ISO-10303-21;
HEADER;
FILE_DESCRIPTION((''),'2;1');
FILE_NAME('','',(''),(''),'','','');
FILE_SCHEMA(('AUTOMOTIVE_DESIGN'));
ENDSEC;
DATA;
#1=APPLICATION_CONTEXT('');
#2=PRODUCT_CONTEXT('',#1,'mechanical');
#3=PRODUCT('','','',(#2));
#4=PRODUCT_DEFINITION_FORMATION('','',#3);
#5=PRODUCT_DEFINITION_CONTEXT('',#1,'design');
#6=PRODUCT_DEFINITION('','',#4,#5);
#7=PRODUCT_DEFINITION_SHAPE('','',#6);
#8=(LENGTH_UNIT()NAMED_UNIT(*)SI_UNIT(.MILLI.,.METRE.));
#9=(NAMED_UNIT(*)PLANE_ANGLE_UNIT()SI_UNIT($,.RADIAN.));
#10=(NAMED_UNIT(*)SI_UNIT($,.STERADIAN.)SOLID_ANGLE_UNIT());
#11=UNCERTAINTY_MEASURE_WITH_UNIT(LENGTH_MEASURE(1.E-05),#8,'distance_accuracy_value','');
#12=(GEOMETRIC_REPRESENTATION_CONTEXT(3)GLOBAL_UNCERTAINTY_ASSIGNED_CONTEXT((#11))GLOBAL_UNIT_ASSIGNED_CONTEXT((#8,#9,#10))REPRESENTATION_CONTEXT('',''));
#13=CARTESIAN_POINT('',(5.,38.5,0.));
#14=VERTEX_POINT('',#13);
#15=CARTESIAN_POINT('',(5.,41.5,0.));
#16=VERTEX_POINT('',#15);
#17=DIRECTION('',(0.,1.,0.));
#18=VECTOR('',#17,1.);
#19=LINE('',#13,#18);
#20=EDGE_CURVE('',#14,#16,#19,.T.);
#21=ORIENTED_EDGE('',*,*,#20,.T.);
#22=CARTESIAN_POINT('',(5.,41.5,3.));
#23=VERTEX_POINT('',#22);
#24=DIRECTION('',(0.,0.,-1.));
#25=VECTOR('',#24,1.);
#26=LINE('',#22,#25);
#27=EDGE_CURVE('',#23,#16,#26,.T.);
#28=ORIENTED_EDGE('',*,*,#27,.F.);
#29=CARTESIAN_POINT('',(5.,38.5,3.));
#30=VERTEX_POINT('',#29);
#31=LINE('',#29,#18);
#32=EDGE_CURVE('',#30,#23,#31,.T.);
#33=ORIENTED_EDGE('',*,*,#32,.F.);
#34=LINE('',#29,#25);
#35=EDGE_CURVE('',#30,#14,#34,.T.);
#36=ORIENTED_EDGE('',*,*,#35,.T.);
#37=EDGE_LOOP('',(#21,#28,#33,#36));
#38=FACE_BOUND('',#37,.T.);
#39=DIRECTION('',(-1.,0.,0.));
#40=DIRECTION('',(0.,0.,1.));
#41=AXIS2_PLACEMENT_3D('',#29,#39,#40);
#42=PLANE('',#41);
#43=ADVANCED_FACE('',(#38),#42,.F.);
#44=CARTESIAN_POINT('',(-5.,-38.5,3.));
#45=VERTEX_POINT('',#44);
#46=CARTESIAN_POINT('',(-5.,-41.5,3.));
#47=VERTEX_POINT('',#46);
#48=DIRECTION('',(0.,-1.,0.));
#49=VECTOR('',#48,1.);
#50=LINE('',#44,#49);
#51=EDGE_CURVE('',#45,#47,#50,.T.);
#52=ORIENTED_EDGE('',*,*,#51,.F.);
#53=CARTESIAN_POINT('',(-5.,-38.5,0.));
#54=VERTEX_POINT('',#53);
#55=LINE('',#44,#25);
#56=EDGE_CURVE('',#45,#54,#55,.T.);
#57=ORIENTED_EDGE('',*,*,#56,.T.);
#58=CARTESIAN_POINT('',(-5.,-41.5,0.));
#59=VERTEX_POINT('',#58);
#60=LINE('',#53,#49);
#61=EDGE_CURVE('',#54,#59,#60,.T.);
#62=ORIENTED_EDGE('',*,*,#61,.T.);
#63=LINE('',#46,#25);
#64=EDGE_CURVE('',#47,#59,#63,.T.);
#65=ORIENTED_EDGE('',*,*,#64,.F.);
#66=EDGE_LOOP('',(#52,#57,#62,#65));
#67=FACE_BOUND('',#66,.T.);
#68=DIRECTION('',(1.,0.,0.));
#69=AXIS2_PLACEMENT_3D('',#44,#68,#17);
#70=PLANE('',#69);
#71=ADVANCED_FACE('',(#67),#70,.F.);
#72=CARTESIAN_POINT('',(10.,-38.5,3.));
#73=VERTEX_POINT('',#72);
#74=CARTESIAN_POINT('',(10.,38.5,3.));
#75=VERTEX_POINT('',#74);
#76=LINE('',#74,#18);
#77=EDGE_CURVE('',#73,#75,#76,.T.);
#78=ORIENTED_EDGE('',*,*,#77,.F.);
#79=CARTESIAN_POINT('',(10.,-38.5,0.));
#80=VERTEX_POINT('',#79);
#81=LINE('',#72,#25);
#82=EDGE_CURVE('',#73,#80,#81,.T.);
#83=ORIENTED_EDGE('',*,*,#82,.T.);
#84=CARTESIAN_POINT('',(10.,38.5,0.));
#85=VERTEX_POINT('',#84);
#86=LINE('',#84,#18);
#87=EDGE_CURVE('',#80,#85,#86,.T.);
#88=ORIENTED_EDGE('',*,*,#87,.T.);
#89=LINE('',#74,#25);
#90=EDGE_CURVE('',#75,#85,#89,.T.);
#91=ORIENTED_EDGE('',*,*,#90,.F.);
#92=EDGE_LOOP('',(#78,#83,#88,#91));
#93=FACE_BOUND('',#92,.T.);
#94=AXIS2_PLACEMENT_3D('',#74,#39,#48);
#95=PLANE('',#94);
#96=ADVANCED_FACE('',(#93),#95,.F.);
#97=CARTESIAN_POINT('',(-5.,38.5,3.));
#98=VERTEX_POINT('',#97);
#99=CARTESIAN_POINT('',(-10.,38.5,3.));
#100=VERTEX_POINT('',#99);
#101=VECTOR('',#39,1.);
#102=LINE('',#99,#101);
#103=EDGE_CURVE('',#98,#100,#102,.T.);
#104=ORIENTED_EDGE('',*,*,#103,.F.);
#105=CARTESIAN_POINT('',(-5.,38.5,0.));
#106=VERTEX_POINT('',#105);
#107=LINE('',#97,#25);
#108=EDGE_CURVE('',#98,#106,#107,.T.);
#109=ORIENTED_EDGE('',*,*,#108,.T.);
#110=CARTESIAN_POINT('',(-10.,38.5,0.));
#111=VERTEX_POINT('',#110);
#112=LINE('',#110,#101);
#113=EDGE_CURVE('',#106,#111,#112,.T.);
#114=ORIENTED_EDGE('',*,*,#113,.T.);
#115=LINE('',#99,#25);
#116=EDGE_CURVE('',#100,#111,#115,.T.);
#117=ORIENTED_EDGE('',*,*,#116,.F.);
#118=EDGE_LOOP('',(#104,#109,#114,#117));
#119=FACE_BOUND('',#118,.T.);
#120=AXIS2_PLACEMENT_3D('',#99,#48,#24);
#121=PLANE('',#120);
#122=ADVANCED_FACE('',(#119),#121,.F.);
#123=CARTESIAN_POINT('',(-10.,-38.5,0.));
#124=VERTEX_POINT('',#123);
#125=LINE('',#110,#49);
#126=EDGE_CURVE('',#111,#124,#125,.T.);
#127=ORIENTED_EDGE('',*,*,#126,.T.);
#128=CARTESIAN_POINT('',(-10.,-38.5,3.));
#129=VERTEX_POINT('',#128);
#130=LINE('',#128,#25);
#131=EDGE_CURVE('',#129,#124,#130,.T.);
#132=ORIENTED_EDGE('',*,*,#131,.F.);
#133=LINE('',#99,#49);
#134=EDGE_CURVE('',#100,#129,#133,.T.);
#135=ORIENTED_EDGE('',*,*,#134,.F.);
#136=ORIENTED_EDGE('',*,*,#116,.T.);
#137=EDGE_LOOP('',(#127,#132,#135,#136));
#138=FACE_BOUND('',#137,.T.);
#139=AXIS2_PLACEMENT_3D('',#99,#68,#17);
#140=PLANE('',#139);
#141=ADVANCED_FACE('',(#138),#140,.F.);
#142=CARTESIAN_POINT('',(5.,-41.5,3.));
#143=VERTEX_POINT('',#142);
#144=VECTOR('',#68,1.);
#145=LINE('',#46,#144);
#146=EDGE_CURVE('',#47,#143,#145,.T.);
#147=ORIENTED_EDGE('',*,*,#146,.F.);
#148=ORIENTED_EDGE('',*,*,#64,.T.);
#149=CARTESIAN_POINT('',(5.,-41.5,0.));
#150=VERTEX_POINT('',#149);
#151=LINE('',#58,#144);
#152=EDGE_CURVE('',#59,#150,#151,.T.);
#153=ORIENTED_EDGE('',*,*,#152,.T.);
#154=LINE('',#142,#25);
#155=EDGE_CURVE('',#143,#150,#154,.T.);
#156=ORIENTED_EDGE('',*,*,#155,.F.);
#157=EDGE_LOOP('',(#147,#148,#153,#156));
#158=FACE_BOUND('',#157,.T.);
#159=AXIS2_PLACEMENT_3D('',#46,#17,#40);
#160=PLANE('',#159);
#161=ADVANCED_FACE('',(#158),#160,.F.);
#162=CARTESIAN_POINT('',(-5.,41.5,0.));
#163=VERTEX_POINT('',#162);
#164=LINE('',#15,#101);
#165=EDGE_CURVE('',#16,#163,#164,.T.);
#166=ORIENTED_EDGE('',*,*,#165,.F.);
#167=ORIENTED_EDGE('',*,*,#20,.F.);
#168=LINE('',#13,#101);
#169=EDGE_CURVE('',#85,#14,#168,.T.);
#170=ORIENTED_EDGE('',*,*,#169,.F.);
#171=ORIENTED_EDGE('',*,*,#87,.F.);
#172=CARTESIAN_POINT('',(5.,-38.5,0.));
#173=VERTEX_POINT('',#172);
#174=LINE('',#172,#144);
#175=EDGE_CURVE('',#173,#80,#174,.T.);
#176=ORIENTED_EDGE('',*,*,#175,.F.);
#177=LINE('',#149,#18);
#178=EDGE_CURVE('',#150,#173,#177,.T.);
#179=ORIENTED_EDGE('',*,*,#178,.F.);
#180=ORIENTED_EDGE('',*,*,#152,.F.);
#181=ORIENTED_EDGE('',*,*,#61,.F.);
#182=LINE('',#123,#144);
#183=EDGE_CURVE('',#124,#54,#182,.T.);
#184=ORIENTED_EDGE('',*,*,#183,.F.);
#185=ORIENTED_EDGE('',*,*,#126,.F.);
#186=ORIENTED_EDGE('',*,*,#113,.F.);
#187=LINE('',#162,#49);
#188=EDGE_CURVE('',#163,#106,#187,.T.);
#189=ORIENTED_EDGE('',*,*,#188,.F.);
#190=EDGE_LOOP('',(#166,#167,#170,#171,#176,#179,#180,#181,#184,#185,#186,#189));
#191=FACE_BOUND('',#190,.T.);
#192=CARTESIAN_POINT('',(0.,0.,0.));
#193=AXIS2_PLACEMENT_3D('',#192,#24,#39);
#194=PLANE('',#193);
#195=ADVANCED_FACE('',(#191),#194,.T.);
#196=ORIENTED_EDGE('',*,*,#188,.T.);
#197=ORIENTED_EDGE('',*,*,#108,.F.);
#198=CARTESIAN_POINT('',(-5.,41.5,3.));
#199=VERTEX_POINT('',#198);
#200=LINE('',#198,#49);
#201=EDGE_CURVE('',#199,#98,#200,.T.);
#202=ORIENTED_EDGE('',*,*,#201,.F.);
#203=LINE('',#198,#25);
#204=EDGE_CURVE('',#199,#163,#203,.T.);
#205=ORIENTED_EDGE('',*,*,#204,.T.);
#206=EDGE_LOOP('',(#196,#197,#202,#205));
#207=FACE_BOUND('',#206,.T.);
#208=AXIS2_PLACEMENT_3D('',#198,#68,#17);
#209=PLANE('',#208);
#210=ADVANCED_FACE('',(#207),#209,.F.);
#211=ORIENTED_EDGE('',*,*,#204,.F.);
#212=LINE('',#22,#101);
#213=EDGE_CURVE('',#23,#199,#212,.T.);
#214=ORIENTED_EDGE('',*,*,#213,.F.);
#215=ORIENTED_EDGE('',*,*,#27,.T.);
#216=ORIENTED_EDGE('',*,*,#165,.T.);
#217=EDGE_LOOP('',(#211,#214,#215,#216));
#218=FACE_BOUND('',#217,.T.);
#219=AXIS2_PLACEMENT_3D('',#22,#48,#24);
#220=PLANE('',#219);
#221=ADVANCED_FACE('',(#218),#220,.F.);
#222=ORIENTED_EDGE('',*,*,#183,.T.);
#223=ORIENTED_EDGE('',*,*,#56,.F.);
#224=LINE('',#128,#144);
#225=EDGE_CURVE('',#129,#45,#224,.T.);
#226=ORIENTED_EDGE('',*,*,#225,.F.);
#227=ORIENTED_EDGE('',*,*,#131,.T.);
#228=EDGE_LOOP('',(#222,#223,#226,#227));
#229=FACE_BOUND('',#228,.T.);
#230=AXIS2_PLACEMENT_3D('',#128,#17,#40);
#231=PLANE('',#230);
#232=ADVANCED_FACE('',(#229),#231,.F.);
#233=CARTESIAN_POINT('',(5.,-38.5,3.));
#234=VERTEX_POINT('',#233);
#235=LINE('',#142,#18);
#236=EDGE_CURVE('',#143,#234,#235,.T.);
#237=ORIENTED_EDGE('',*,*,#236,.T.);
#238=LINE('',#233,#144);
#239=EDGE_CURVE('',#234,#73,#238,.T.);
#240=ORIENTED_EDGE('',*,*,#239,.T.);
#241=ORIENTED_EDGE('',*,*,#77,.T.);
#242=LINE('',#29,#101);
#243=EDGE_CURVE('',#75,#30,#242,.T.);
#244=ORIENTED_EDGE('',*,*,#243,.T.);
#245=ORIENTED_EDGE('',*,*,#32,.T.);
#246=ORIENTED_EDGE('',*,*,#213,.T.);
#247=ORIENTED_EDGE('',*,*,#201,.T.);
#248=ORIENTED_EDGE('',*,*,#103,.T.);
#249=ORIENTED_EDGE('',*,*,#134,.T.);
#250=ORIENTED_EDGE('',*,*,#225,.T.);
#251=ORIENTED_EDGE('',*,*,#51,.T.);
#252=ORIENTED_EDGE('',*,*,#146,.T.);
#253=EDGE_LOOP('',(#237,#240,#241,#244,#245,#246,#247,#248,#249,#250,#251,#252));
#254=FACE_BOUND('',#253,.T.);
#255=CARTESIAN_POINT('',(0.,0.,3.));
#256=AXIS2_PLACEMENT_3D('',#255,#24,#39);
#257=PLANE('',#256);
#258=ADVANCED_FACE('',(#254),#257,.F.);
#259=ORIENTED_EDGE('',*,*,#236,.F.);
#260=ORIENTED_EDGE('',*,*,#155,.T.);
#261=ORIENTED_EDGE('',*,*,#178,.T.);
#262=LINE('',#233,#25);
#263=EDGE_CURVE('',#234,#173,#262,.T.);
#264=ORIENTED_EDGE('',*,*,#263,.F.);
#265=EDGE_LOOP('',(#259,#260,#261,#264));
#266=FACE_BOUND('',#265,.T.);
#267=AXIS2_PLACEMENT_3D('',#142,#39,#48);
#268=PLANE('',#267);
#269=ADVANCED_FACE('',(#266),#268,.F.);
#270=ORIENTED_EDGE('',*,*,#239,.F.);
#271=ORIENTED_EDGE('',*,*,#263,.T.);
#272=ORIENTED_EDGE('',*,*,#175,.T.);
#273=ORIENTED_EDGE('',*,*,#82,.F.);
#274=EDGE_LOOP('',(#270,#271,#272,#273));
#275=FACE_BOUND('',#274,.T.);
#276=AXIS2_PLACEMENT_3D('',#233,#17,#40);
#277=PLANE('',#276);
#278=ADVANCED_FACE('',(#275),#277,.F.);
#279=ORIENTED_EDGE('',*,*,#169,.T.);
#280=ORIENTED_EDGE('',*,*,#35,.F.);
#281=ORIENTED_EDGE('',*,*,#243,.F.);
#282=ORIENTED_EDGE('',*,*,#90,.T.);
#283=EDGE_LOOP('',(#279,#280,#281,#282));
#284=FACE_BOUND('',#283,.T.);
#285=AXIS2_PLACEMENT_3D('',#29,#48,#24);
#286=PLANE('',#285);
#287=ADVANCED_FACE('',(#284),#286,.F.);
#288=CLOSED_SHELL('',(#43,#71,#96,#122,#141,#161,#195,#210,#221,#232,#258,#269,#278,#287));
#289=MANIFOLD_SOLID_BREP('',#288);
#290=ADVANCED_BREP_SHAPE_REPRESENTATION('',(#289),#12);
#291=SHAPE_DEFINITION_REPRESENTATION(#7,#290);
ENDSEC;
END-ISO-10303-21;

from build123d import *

# Parameters (mm, degrees)
BOSS_EXTRUDE1_DEPTH = 3


with BuildPart() as part:
    # Sketch2 → Boss-Extrude1 (new body)
    with BuildSketch(Plane.XY):
        Polygon((5, 38.5), (5, 41.5), (-5, 41.5), (-5, 38.5), (-10, 38.5), (-10, -38.5), (-5, -38.5), (-5, -41.5), (5, -41.5), (5, -38.5), (10, -38.5), (10, 38.5), align=None)
    extrude(amount=BOSS_EXTRUDE1_DEPTH)


solid = part.part
